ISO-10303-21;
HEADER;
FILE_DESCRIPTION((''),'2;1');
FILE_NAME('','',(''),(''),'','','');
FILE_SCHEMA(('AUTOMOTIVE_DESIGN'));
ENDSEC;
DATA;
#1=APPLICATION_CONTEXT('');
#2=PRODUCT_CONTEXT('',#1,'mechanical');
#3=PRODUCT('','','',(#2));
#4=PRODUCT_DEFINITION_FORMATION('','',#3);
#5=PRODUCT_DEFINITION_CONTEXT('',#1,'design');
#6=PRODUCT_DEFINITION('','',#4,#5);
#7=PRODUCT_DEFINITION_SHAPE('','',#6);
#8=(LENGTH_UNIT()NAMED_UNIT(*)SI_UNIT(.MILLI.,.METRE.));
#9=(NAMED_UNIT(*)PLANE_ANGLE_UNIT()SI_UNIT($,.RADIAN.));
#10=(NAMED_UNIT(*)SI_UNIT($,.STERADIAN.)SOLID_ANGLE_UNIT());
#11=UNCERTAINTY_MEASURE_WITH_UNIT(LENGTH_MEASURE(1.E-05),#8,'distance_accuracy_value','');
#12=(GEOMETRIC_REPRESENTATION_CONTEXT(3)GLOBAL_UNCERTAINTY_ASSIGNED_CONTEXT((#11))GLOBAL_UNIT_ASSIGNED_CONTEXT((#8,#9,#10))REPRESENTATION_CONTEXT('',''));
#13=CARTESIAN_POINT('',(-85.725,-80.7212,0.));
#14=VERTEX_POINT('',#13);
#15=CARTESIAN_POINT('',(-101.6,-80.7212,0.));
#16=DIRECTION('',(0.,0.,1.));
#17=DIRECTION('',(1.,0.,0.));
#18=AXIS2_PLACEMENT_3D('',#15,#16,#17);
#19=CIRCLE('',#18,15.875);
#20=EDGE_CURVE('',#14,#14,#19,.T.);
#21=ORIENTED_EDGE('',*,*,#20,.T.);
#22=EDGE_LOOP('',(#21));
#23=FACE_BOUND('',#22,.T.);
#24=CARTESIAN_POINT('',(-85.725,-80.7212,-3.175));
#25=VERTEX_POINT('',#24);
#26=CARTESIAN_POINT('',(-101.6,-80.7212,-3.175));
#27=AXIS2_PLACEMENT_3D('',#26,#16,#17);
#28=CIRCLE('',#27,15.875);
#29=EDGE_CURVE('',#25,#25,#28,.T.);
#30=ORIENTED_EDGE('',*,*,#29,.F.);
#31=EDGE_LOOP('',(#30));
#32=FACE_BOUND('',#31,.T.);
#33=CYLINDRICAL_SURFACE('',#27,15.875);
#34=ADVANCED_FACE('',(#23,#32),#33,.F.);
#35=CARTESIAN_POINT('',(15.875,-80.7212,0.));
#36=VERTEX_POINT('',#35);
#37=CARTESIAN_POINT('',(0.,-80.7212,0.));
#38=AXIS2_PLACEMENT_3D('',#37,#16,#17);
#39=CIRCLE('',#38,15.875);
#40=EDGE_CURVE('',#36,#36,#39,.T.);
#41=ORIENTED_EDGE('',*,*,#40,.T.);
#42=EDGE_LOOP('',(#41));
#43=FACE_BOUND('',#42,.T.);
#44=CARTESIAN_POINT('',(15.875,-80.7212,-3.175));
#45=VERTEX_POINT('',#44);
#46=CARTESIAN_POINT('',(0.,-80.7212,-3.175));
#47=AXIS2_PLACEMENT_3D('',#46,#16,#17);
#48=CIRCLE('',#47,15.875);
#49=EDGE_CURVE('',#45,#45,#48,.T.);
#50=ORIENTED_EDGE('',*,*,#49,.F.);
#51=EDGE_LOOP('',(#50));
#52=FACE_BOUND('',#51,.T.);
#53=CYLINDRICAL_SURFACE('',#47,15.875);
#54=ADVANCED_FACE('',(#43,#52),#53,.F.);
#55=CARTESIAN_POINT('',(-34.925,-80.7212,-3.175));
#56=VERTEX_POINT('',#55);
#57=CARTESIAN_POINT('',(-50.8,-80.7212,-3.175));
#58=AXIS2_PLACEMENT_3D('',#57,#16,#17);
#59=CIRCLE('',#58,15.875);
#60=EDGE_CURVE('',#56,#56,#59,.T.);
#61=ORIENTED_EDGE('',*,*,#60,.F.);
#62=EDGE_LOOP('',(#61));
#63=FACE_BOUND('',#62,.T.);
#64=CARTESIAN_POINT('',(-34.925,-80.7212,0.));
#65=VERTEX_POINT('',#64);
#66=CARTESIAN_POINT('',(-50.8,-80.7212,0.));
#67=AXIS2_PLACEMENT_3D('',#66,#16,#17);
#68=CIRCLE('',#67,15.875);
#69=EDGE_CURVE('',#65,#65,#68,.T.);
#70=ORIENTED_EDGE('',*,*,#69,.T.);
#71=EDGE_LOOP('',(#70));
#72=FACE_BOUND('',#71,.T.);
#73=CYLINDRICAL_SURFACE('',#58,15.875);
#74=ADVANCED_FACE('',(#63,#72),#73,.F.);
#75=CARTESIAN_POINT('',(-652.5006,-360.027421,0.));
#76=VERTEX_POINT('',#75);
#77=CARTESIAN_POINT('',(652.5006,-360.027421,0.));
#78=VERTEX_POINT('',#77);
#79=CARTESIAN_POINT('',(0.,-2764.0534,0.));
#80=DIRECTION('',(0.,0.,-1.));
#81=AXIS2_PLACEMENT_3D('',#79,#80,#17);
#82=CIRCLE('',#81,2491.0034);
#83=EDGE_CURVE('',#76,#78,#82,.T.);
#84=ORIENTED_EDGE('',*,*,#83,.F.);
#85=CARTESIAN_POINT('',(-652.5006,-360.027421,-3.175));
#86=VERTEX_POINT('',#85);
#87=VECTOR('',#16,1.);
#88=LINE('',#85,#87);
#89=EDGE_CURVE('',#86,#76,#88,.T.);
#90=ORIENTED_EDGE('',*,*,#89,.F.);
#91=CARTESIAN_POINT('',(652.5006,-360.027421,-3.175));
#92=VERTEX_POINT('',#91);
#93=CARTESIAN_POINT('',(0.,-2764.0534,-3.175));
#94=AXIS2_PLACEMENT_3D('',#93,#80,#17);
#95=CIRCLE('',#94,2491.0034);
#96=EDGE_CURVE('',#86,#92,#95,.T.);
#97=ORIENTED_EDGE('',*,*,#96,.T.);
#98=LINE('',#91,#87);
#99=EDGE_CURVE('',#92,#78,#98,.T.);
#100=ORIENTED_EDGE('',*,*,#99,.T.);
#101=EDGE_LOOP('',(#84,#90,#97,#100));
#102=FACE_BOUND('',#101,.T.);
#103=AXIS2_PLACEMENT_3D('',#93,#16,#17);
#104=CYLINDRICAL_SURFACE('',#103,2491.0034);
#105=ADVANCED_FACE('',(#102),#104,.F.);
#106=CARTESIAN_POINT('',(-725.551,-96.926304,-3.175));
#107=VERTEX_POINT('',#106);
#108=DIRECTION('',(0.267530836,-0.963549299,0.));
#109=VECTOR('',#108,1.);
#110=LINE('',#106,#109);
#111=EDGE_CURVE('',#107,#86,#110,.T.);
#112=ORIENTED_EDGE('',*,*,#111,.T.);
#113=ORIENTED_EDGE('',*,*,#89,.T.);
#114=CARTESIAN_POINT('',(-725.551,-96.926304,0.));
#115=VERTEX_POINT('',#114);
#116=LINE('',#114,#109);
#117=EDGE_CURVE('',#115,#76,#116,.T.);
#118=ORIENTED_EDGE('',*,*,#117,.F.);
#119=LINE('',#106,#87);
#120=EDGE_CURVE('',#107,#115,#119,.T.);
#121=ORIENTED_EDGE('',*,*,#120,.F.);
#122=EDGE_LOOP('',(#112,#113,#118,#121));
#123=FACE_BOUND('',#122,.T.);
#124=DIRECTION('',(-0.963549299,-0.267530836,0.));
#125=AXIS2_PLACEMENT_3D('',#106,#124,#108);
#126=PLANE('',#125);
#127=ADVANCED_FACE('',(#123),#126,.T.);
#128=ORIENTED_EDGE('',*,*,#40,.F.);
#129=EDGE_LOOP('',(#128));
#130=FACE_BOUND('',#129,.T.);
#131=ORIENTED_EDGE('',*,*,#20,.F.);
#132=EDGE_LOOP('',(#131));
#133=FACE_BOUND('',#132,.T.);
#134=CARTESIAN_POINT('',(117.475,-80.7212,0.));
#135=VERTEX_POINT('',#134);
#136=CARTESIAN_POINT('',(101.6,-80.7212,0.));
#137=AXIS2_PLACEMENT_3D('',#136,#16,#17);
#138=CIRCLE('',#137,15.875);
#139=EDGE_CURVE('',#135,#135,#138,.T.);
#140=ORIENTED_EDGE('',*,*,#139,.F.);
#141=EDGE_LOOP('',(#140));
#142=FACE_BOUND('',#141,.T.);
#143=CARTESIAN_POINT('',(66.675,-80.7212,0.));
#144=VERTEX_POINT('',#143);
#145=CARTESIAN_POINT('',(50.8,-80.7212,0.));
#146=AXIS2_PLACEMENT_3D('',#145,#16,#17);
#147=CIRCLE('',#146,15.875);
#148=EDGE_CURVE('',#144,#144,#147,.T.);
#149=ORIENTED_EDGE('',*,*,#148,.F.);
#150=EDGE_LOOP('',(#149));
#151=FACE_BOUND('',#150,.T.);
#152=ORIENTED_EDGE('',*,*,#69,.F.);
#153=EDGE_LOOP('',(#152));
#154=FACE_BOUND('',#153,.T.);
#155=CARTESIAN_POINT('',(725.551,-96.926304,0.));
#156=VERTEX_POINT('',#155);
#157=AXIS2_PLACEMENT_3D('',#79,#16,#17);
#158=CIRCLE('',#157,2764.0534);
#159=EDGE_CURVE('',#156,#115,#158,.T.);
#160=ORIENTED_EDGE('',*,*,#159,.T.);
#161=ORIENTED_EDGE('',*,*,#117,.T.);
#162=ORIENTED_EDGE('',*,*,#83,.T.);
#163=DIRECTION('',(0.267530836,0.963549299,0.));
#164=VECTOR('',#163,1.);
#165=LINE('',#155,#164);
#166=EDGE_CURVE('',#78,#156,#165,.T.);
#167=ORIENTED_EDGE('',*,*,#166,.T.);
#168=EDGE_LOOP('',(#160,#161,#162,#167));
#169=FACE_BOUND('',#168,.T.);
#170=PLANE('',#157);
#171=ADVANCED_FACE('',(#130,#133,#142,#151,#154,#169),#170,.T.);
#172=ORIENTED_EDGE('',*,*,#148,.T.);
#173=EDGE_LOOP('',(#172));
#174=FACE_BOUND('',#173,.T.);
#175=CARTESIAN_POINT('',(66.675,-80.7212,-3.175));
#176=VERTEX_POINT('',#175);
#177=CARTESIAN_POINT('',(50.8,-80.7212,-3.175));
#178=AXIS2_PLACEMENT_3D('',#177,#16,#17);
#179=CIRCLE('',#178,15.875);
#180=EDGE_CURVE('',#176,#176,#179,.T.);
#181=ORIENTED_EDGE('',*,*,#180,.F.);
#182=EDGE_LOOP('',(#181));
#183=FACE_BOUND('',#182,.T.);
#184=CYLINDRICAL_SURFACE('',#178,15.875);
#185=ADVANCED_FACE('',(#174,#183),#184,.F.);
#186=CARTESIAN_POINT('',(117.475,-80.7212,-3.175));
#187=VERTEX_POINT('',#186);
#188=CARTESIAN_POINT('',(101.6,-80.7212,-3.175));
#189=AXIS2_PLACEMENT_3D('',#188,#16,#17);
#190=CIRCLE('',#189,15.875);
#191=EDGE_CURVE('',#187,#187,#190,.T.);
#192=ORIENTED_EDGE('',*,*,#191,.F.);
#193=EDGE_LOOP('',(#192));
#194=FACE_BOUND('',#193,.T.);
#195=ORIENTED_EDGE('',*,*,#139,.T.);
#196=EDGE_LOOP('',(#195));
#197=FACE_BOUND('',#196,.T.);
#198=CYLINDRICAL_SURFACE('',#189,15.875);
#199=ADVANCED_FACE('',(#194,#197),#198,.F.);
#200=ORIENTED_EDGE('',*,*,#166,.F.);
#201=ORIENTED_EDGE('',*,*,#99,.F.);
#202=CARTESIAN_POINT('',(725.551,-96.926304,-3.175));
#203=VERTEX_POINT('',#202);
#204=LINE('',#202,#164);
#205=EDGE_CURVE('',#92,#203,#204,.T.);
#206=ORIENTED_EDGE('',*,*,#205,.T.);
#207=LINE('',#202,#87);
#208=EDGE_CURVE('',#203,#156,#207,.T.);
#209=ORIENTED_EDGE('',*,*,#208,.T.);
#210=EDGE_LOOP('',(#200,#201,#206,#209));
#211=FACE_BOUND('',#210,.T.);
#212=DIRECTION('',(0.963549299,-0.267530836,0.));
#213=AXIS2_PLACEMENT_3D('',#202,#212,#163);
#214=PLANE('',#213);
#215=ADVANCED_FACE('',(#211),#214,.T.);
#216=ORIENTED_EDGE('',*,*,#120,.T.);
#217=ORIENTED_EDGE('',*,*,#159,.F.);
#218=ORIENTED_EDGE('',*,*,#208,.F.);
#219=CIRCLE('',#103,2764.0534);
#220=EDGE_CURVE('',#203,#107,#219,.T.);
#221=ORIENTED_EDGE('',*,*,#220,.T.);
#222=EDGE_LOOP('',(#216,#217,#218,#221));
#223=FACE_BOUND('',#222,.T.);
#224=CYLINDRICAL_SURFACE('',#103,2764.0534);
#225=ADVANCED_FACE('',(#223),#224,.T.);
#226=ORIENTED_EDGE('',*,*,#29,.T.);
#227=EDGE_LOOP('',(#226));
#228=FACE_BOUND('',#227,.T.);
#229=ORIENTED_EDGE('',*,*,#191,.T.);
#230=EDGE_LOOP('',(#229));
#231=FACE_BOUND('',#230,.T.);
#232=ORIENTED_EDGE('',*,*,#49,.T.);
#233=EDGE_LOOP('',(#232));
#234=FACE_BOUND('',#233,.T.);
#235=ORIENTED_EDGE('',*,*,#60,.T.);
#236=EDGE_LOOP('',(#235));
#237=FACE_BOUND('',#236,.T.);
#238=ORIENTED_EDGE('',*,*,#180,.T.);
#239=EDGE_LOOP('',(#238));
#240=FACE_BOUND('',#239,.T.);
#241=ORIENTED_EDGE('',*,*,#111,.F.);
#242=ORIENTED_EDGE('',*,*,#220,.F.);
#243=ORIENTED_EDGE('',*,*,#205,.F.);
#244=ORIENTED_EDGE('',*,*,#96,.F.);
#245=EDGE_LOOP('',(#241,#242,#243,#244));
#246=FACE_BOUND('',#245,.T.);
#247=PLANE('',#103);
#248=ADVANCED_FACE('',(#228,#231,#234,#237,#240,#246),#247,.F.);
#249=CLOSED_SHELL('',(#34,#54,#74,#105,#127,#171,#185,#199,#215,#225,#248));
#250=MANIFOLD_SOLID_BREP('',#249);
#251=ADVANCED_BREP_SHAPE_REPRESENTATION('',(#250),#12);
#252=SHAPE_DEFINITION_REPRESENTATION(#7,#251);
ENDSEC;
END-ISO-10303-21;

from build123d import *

# Parameters (mm, degrees)
SKETCH1_R          = 15.875
BASE_EXTRUDE_DEPTH = 3.175


with BuildPart() as part:
    # Sketch1 → Base-Extrude (new body)
    with BuildSketch(Plane.XY):
        with BuildLine():
            Line((-725.551, -96.926304331), (-652.5006, -360.027421394))
            ThreePointArc((-652.5006, -360.027421394), (0, -273.05), (652.5006, -360.027421394))
            Line((652.5006, -360.027421394), (725.551, -96.926304331))
            ThreePointArc((725.551, -96.926304331), (0, 0), (-725.551, -96.926304331))
        make_face()
        with Locations((0, -80.7212)):
            Circle(SKETCH1_R, mode=Mode.SUBTRACT)
        with Locations((-50.8, -80.7212)):
            Circle(SKETCH1_R, mode=Mode.SUBTRACT)
        with Locations((-101.6, -80.7212)):
            Circle(SKETCH1_R, mode=Mode.SUBTRACT)
        with Locations((50.8, -80.7212)):
            Circle(SKETCH1_R, mode=Mode.SUBTRACT)
        with Locations((101.6, -80.7212)):
            Circle(SKETCH1_R, mode=Mode.SUBTRACT)
    extrude(amount=-BASE_EXTRUDE_DEPTH)


solid = part.part
